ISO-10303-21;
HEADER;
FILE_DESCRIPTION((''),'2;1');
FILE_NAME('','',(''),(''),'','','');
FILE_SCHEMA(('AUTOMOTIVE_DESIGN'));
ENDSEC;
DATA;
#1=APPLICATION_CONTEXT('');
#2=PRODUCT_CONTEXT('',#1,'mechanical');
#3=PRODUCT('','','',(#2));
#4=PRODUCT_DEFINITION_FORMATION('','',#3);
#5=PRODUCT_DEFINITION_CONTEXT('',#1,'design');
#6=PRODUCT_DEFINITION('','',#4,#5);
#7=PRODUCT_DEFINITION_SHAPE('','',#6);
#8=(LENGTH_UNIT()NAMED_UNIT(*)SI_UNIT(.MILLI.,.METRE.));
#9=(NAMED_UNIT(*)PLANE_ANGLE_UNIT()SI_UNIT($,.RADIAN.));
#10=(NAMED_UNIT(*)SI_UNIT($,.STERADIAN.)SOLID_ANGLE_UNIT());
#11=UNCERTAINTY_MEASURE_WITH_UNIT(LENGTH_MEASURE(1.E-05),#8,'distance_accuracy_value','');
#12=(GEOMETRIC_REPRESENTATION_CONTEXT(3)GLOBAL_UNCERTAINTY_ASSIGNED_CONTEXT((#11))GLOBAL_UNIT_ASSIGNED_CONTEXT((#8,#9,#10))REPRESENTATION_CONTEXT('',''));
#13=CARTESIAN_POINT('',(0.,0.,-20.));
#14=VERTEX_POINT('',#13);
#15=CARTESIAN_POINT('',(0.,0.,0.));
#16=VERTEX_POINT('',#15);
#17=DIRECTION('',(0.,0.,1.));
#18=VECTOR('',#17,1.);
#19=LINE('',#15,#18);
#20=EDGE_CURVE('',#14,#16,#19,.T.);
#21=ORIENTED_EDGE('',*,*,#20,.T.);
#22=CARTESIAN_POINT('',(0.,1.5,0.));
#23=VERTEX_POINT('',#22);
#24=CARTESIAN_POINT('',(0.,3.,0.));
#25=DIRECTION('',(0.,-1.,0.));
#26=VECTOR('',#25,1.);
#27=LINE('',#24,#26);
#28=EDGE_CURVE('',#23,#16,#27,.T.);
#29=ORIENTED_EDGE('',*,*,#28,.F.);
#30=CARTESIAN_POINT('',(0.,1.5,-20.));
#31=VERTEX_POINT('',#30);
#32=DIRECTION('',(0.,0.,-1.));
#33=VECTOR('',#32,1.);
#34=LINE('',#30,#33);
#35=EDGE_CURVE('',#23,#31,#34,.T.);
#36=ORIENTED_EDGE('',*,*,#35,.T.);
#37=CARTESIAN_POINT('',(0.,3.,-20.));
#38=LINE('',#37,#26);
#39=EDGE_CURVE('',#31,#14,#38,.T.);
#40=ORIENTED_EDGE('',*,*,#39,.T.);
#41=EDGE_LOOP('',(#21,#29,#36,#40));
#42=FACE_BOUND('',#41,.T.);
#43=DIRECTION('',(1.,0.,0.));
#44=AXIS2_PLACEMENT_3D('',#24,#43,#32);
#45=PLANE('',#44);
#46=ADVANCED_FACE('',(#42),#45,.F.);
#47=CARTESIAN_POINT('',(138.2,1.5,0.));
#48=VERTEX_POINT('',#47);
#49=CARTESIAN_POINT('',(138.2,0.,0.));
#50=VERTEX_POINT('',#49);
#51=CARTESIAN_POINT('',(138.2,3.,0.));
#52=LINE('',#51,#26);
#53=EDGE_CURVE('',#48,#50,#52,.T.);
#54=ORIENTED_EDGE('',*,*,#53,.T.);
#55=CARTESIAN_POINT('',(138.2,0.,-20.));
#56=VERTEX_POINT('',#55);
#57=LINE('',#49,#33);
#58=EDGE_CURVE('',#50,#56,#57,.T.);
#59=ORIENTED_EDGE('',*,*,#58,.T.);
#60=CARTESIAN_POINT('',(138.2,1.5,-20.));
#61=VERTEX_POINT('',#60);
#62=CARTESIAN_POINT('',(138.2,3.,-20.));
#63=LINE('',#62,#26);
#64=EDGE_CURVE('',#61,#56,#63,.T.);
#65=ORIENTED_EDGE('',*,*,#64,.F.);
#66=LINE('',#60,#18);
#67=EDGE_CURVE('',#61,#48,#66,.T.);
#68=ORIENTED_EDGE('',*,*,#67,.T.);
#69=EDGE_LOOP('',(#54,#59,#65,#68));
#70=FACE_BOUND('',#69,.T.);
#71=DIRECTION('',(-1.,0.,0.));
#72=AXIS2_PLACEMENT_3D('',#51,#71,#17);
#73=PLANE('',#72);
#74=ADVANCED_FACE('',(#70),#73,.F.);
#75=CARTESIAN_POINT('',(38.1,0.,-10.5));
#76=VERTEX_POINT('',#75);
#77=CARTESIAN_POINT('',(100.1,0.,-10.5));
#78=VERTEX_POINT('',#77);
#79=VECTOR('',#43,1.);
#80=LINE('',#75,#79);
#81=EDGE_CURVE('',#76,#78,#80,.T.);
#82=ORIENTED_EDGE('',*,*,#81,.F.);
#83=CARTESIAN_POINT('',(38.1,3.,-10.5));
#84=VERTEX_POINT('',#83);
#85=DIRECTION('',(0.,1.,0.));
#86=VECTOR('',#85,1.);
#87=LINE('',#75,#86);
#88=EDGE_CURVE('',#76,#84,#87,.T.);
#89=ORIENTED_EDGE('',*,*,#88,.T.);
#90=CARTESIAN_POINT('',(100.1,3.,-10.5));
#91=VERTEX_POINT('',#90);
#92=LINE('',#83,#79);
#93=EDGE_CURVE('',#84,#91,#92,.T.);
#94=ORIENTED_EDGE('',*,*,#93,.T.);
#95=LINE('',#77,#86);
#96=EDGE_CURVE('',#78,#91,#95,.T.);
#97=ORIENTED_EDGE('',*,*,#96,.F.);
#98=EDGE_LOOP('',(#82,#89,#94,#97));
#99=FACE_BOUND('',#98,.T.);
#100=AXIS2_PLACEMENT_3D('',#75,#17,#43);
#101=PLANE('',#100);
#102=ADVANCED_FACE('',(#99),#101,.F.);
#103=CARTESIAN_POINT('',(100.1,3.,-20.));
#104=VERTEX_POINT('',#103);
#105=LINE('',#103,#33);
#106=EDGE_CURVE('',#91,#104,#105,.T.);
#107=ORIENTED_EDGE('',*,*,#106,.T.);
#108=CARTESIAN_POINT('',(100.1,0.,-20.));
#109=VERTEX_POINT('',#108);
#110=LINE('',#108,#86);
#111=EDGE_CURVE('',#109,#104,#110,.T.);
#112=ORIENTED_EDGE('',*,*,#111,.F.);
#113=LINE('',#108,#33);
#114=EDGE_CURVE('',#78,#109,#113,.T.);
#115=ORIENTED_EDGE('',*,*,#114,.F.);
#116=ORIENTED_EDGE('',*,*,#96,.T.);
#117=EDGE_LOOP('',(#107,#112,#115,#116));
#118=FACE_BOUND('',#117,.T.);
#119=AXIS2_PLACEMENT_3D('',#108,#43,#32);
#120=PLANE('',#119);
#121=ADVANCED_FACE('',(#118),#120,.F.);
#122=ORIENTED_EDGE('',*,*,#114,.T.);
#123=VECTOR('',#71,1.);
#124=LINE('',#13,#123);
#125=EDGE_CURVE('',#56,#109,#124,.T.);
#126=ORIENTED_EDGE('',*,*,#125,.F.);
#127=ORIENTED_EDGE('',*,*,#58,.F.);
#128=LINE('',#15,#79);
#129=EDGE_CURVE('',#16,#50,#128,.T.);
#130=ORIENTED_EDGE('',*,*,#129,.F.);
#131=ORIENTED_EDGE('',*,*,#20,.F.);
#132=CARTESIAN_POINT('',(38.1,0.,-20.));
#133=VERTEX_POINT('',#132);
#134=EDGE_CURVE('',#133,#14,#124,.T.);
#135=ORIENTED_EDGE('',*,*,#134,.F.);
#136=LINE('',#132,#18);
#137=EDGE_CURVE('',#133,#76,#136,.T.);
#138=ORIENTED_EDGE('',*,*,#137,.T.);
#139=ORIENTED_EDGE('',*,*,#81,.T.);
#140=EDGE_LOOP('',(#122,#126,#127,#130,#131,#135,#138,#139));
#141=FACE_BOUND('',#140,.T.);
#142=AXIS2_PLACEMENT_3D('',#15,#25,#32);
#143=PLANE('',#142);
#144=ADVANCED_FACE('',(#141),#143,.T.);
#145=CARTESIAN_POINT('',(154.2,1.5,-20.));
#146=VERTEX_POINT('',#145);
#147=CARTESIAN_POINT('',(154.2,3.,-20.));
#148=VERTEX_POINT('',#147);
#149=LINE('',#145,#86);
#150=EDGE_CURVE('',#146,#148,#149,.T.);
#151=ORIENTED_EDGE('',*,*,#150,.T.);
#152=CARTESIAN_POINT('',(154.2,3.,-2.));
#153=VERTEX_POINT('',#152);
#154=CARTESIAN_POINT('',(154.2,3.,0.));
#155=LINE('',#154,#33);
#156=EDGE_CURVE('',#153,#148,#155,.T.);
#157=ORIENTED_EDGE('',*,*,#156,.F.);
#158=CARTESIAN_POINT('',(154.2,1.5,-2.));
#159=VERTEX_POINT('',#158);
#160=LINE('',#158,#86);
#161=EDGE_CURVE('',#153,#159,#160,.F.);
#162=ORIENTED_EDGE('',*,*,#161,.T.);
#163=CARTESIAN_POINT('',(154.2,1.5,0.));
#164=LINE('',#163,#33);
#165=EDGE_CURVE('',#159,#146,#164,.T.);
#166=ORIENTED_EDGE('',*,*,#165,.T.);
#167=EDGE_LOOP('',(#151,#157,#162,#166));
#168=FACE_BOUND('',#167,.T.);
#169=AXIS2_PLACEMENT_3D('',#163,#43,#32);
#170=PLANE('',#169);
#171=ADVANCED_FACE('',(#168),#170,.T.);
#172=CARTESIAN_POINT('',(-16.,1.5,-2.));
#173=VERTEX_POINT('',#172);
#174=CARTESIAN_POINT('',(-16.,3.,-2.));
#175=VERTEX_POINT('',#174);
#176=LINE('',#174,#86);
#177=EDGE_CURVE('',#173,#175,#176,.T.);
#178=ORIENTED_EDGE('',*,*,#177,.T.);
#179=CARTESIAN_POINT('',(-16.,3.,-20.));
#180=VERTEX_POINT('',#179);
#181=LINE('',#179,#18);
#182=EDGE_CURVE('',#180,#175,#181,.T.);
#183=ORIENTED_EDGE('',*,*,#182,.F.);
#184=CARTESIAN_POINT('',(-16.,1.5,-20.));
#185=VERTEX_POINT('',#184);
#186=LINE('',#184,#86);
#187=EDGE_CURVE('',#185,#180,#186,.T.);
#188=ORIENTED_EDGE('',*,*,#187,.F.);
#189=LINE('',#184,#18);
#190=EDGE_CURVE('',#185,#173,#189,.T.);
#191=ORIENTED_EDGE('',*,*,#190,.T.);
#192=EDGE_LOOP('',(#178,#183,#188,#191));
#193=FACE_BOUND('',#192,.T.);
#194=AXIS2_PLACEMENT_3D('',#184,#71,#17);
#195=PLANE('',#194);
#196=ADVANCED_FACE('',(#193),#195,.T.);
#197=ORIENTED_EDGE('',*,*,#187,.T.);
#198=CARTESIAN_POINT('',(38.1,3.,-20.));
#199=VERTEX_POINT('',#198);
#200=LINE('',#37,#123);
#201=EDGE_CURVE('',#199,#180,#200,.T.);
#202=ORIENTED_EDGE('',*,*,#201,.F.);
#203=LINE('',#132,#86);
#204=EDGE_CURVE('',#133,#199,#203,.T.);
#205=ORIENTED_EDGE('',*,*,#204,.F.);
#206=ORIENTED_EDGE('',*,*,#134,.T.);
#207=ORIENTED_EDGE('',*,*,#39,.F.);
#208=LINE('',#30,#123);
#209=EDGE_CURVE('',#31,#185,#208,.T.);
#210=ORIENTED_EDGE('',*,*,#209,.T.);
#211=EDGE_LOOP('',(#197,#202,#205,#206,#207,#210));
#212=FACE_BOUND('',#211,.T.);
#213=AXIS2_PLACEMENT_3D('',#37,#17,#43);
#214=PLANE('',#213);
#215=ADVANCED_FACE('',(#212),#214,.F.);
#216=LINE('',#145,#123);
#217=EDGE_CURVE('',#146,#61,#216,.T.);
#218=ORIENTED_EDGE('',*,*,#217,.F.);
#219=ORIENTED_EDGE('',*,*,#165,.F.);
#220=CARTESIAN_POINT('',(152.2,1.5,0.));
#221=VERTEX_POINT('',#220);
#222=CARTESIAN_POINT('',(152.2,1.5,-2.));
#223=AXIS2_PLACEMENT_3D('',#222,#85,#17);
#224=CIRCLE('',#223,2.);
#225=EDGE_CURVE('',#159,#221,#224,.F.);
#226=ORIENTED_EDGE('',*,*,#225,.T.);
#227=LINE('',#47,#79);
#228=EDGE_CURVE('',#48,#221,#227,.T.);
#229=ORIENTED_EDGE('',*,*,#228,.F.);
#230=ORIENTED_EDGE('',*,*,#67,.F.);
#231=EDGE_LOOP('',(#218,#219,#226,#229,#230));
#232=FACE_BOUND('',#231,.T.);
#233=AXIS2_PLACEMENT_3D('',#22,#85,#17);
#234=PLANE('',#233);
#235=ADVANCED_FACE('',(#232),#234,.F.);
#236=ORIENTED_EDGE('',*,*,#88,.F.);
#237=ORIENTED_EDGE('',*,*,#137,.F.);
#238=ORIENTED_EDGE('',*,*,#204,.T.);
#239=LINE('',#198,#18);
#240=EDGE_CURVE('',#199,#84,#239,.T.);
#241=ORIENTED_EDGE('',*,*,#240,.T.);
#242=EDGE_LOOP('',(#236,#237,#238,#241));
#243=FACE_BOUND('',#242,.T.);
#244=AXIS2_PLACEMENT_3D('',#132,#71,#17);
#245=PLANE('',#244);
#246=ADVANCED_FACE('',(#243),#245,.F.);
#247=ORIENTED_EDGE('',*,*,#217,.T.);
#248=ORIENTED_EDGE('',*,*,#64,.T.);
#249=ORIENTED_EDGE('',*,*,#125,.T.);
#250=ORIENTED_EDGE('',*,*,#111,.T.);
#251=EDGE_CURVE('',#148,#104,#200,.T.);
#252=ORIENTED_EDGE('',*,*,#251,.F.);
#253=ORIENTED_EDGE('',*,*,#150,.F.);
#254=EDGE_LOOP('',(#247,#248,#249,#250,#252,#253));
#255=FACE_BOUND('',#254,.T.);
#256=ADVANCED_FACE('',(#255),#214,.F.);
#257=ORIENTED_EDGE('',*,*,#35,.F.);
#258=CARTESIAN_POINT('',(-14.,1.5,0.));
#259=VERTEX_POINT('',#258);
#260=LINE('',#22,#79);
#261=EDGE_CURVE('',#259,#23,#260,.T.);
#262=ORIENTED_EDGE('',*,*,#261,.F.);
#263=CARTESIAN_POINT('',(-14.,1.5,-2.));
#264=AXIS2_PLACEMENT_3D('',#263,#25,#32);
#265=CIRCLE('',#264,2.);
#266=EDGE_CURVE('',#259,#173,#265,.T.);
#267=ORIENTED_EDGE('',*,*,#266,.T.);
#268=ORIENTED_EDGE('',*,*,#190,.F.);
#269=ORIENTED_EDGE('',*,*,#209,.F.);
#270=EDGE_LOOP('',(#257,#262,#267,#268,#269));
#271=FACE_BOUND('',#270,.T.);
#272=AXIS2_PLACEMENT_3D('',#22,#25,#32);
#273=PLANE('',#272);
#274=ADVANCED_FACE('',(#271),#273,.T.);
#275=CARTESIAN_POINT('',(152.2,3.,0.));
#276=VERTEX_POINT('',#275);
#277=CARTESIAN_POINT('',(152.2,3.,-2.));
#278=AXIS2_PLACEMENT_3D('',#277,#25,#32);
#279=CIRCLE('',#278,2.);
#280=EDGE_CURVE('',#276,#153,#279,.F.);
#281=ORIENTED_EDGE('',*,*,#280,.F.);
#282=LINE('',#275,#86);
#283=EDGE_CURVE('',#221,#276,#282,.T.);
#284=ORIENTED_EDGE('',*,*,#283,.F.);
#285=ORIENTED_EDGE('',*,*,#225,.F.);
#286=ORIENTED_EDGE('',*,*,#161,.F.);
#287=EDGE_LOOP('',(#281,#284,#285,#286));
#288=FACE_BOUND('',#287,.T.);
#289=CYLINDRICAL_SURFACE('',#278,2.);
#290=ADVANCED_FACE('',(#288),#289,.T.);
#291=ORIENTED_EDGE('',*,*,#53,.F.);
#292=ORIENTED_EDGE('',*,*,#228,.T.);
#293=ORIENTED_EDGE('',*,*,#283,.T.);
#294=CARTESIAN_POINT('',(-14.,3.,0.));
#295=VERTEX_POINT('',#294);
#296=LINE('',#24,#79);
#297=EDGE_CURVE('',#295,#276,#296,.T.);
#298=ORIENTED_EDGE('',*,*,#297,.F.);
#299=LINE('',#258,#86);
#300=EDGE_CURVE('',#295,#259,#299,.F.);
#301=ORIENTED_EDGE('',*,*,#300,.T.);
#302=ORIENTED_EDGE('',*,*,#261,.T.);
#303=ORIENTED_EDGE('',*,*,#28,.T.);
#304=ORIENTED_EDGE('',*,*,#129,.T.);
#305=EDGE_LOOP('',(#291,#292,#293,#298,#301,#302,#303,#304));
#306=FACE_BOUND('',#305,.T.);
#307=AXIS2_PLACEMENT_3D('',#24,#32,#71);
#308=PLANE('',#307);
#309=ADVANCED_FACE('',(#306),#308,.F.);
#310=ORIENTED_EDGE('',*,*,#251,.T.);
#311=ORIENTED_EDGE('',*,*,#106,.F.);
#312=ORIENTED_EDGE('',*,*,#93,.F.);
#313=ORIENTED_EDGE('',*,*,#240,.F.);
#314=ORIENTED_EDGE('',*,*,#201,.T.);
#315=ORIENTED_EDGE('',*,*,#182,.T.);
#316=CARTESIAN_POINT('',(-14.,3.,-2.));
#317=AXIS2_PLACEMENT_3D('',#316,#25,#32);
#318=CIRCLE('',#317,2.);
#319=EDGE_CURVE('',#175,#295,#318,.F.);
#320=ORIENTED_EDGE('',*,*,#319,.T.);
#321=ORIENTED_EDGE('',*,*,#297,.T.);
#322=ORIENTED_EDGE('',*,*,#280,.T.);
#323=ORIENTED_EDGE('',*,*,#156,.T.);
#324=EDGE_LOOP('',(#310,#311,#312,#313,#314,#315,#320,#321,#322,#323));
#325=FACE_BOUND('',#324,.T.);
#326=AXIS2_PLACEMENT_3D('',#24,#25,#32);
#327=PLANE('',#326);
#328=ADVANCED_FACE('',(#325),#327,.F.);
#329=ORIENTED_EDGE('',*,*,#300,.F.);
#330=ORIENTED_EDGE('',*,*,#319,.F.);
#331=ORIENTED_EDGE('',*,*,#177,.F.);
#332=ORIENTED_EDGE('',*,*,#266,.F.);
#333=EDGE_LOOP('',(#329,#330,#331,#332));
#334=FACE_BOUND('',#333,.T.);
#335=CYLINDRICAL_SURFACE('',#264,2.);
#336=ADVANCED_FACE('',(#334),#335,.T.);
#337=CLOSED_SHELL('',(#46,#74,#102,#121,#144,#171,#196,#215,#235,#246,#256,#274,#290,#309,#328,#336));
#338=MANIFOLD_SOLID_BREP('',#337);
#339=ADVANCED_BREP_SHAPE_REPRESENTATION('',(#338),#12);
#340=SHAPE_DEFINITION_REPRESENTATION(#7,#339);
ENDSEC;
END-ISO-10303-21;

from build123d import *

# Parameters (mm, degrees)
SKETCH_1_W          = 138.2
SKETCH_1_H          = 20
EXTRUDE_1_DEPTH     = 3
SKETCH_2_W          = 62
SKETCH_2_H          = 9.5
CUT_EXTRUDE_1_DEPTH = 3
SKETCH_3_W          = 16
SKETCH_3_H          = 20
EXTRUDE_2_DEPTH     = 1.5
FILLET_1_R          = 2


with BuildPart() as part:
    # 草图1 → 凸台-拉伸1 (new body)
    with BuildSketch(Plane(origin=(0, 0, 0), x_dir=(1, 0, 0), z_dir=(0, 1, 0))):
        with Locations((69.1, 10)):
            Rectangle(SKETCH_1_W, SKETCH_1_H)
    extrude(amount=EXTRUDE_1_DEPTH)

    # 草图2 → 切除-拉伸1 (cut)
    with BuildSketch(Plane(origin=(0, 3, 0), x_dir=(1, 0, 0), z_dir=(0, 1, 0))):
        with Locations((69.1, 15.25)):
            Rectangle(SKETCH_2_W, SKETCH_2_H)
    extrude(amount=-CUT_EXTRUDE_1_DEPTH, mode=Mode.SUBTRACT)

    # 草图3 → 凸台-拉伸2 (add)
    with BuildSketch(Plane(origin=(0, 3, 0), x_dir=(1, 0, 0), z_dir=(0, 1, 0))):
        with Locations((146.2, 10)):
            Rectangle(SKETCH_3_W, SKETCH_3_H)
        with Locations((-8, 10)):
            Rectangle(SKETCH_3_W, SKETCH_3_H)
    extrude(amount=-EXTRUDE_2_DEPTH)

    # 圆角1
    fillet_1_edges = [part.edges().sort_by_distance(p)[0] for p in [
        (154.2, 2.25, 0),
        (-16, 2.25, 0),
    ]]
    fillet(fillet_1_edges, radius=FILLET_1_R)


solid = part.part
